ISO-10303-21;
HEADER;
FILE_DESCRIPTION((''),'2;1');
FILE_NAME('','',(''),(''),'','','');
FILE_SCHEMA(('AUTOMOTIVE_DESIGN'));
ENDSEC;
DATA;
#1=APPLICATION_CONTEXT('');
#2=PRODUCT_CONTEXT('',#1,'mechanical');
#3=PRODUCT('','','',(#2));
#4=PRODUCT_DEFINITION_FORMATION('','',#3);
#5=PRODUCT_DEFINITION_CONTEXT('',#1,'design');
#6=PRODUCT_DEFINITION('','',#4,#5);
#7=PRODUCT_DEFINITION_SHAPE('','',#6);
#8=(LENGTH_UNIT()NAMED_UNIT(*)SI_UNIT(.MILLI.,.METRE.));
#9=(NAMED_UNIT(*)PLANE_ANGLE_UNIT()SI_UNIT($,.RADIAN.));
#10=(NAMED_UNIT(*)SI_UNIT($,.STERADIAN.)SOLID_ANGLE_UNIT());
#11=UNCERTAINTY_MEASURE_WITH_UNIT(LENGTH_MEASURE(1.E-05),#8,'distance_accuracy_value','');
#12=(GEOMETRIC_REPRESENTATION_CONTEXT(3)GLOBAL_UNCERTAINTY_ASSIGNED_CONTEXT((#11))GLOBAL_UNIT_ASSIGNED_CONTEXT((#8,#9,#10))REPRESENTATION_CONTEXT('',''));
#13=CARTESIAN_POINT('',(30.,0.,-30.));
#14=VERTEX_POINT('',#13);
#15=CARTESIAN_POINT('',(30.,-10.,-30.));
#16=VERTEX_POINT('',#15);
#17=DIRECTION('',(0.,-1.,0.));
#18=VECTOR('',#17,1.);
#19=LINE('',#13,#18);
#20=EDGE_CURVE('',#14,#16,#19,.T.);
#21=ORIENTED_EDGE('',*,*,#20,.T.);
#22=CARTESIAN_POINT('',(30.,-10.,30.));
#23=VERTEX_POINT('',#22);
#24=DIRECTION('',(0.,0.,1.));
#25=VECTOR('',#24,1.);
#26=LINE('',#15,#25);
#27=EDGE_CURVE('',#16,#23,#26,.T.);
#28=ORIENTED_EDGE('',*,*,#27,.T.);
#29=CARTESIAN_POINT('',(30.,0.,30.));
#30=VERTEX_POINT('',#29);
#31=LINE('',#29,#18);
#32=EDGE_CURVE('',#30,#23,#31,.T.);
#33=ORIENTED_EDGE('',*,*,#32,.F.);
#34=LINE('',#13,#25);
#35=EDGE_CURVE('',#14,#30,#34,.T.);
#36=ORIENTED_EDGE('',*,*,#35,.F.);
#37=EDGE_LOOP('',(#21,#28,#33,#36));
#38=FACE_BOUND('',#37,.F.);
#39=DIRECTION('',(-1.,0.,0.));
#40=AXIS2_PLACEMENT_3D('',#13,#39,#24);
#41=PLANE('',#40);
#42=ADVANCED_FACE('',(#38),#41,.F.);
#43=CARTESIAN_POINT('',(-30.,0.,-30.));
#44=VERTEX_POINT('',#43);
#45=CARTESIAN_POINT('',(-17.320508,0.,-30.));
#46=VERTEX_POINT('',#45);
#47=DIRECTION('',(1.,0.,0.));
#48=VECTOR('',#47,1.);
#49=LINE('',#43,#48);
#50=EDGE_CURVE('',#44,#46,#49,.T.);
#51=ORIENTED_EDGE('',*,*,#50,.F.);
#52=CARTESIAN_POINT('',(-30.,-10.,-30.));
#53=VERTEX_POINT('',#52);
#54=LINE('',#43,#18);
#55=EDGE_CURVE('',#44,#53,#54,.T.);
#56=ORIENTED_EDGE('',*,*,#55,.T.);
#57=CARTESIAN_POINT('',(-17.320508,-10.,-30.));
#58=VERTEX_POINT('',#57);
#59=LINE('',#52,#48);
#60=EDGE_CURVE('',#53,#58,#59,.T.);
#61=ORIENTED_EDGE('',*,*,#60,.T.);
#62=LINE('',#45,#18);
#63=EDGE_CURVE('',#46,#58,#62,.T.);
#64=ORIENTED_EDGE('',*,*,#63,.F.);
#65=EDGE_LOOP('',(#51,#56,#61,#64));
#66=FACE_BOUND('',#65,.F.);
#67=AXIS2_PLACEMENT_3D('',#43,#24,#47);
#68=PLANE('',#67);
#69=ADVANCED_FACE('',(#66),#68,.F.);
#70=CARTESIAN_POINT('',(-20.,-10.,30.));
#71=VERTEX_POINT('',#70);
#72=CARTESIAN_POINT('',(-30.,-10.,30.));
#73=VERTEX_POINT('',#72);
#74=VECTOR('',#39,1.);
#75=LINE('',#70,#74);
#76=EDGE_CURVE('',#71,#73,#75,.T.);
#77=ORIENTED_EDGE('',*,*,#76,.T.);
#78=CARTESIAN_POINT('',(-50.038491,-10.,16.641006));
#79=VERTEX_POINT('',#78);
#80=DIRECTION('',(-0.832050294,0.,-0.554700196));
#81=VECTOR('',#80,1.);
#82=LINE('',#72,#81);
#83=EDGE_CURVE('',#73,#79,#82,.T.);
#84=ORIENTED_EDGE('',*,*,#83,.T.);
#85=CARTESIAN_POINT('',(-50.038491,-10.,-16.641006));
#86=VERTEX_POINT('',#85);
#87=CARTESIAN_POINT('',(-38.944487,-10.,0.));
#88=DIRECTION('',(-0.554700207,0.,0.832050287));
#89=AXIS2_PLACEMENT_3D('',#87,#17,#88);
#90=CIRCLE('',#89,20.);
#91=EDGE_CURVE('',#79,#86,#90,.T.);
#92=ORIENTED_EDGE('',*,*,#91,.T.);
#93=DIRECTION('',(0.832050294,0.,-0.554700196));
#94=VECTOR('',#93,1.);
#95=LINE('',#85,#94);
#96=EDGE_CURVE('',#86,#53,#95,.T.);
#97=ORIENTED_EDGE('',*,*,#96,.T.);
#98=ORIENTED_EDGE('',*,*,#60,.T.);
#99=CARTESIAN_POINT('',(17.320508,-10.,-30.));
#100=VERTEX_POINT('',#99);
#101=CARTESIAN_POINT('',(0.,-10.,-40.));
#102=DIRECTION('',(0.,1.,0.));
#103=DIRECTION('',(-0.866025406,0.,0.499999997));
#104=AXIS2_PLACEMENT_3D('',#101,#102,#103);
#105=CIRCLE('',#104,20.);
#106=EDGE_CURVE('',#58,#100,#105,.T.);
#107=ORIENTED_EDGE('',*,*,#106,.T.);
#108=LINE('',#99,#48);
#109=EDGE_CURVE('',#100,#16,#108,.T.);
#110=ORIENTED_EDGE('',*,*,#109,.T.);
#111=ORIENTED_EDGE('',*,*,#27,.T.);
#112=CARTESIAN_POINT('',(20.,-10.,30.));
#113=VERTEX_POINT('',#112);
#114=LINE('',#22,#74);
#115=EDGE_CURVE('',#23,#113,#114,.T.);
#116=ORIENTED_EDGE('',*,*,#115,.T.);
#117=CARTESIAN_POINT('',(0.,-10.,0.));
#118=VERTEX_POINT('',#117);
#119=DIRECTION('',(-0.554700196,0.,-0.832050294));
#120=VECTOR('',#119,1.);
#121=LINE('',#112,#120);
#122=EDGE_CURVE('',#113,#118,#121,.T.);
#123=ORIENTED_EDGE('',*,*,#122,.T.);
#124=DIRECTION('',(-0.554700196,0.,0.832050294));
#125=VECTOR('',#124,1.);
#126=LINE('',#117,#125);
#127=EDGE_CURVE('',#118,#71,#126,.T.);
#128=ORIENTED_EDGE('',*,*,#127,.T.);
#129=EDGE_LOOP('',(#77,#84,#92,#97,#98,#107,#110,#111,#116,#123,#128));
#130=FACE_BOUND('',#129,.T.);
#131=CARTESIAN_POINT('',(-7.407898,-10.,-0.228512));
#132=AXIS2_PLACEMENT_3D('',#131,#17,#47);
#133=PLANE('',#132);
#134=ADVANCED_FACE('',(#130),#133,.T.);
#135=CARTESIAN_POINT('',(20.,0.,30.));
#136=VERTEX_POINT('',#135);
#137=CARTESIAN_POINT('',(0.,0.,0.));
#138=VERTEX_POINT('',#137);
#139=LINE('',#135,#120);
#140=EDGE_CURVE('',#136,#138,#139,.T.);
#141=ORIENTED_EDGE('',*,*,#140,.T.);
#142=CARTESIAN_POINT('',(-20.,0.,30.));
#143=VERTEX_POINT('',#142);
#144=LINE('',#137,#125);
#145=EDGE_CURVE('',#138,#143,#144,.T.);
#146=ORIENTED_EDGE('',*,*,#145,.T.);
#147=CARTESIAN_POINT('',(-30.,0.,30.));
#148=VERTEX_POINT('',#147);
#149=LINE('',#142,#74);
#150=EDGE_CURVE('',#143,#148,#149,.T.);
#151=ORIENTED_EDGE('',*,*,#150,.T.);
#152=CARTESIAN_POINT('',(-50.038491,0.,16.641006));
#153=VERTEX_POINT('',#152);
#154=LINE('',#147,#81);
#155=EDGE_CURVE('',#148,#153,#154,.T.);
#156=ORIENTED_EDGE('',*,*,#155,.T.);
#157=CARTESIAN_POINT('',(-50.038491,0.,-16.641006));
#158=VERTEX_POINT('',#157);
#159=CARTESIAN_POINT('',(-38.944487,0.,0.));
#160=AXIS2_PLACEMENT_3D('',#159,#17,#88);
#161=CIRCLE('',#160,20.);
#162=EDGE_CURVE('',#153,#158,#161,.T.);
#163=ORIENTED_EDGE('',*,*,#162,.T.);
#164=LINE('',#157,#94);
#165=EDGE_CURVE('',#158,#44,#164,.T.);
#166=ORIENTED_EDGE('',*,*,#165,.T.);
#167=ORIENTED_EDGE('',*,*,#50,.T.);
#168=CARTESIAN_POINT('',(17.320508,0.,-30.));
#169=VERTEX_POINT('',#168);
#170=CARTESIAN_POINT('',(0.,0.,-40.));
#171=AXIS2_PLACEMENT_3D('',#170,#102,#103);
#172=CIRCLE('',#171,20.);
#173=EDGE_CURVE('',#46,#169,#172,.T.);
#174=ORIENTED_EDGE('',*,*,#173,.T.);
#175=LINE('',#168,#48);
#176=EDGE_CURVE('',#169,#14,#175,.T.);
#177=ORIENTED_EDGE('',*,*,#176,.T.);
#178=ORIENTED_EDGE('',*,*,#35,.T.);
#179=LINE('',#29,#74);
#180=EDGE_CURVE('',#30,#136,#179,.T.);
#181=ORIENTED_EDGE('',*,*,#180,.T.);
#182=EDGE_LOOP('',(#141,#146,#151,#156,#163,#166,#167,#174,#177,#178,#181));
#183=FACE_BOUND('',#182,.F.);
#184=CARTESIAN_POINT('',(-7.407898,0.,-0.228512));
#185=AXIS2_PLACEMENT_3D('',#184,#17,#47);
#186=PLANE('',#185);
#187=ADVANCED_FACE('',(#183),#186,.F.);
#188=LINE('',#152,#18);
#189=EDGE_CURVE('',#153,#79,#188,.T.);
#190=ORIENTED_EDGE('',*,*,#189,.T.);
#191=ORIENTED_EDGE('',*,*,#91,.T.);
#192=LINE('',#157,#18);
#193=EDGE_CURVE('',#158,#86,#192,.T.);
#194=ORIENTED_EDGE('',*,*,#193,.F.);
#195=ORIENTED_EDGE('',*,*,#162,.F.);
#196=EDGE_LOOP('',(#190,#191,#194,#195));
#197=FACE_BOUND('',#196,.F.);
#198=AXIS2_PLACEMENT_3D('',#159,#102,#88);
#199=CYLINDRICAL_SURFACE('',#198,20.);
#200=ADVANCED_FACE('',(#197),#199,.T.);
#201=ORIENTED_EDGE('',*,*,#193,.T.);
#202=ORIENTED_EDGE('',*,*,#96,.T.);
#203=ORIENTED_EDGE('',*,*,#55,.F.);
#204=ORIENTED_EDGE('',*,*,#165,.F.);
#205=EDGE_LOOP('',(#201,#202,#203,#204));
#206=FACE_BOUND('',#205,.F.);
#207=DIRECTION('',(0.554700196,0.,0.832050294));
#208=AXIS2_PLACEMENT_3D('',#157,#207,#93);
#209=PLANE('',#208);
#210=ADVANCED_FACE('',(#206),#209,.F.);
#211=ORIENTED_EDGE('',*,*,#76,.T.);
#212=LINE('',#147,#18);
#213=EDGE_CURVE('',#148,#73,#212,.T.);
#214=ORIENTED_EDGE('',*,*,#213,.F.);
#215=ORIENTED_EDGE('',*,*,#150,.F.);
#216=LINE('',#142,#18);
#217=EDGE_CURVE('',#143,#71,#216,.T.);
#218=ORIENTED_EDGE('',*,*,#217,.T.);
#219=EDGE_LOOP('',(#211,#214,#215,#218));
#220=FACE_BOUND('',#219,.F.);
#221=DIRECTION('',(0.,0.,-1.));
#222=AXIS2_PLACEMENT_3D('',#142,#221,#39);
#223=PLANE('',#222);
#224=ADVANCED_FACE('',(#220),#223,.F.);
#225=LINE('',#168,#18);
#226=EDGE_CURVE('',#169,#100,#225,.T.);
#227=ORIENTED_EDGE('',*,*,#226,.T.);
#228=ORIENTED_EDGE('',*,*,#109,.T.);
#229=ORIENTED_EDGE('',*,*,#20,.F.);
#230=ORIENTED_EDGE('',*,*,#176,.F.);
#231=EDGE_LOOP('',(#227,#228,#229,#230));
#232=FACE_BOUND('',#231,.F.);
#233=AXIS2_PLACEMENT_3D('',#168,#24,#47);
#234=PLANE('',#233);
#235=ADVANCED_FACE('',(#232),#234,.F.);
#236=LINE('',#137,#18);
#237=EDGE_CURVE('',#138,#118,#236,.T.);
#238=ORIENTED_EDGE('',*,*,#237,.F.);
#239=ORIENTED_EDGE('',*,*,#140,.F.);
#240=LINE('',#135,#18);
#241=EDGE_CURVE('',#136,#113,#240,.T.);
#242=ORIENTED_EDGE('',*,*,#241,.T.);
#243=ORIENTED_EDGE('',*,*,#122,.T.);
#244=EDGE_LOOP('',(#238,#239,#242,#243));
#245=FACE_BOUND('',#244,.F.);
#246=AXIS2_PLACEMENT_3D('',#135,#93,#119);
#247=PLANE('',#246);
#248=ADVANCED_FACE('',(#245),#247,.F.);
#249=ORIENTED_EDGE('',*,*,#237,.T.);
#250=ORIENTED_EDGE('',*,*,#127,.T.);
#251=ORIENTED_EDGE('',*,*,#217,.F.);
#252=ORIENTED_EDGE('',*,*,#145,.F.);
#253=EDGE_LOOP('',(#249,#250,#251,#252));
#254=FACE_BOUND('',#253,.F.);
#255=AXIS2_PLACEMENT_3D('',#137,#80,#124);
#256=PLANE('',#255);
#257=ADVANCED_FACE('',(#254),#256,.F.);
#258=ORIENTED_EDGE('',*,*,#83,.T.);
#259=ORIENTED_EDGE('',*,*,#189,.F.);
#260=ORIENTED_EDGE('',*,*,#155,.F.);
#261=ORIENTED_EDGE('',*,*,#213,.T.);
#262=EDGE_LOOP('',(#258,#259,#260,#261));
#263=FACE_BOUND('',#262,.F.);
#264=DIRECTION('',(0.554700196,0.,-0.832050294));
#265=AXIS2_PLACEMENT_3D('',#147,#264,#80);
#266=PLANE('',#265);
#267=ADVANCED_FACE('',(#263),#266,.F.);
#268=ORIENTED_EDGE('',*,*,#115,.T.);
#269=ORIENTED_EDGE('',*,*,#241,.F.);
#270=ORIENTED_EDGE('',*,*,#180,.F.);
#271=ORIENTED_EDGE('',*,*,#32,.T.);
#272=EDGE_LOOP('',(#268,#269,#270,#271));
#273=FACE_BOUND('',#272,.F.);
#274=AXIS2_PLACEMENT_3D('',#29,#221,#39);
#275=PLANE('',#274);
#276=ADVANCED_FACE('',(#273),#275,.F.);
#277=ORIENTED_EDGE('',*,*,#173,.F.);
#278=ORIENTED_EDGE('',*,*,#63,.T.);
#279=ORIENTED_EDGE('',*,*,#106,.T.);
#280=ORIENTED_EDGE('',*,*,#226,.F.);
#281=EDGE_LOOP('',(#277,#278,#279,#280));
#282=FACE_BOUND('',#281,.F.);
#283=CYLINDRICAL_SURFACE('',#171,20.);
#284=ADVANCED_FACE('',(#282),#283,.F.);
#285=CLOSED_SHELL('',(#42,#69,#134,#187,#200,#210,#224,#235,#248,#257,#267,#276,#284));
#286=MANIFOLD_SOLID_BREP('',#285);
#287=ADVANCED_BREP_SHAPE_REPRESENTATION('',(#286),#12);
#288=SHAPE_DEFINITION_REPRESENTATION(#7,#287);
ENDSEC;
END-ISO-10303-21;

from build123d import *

# Parameters (mm, degrees)
F1_DEPTH = 10


with BuildPart() as f1:
    # F0 (on Front) → F1 (new body)
    with BuildSketch(Plane.XZ):
        with BuildLine():
            Line((0, 0), (-20, 30))
            Line((-20, 30), (-30, 30))
            Line((-30, 30), (-50.038491, 16.641006))
            ThreePointArc((-50.038491, 16.641006), (-58.944487, 0), (-50.038491, -16.641006))
            Line((-50.038491, -16.641006), (-30, -30))
            Line((-30, -30), (-17.320508, -30))
            ThreePointArc((-17.320508, -30), (0, -20), (17.320508, -30))
            Line((17.320508, -30), (30, -30))
            Line((30, -30), (30, 30))
            Line((30, 30), (20, 30))
            Line((20, 30), (0, 0))
        make_face()
    extrude(amount=F1_DEPTH)


solid = f1.part
